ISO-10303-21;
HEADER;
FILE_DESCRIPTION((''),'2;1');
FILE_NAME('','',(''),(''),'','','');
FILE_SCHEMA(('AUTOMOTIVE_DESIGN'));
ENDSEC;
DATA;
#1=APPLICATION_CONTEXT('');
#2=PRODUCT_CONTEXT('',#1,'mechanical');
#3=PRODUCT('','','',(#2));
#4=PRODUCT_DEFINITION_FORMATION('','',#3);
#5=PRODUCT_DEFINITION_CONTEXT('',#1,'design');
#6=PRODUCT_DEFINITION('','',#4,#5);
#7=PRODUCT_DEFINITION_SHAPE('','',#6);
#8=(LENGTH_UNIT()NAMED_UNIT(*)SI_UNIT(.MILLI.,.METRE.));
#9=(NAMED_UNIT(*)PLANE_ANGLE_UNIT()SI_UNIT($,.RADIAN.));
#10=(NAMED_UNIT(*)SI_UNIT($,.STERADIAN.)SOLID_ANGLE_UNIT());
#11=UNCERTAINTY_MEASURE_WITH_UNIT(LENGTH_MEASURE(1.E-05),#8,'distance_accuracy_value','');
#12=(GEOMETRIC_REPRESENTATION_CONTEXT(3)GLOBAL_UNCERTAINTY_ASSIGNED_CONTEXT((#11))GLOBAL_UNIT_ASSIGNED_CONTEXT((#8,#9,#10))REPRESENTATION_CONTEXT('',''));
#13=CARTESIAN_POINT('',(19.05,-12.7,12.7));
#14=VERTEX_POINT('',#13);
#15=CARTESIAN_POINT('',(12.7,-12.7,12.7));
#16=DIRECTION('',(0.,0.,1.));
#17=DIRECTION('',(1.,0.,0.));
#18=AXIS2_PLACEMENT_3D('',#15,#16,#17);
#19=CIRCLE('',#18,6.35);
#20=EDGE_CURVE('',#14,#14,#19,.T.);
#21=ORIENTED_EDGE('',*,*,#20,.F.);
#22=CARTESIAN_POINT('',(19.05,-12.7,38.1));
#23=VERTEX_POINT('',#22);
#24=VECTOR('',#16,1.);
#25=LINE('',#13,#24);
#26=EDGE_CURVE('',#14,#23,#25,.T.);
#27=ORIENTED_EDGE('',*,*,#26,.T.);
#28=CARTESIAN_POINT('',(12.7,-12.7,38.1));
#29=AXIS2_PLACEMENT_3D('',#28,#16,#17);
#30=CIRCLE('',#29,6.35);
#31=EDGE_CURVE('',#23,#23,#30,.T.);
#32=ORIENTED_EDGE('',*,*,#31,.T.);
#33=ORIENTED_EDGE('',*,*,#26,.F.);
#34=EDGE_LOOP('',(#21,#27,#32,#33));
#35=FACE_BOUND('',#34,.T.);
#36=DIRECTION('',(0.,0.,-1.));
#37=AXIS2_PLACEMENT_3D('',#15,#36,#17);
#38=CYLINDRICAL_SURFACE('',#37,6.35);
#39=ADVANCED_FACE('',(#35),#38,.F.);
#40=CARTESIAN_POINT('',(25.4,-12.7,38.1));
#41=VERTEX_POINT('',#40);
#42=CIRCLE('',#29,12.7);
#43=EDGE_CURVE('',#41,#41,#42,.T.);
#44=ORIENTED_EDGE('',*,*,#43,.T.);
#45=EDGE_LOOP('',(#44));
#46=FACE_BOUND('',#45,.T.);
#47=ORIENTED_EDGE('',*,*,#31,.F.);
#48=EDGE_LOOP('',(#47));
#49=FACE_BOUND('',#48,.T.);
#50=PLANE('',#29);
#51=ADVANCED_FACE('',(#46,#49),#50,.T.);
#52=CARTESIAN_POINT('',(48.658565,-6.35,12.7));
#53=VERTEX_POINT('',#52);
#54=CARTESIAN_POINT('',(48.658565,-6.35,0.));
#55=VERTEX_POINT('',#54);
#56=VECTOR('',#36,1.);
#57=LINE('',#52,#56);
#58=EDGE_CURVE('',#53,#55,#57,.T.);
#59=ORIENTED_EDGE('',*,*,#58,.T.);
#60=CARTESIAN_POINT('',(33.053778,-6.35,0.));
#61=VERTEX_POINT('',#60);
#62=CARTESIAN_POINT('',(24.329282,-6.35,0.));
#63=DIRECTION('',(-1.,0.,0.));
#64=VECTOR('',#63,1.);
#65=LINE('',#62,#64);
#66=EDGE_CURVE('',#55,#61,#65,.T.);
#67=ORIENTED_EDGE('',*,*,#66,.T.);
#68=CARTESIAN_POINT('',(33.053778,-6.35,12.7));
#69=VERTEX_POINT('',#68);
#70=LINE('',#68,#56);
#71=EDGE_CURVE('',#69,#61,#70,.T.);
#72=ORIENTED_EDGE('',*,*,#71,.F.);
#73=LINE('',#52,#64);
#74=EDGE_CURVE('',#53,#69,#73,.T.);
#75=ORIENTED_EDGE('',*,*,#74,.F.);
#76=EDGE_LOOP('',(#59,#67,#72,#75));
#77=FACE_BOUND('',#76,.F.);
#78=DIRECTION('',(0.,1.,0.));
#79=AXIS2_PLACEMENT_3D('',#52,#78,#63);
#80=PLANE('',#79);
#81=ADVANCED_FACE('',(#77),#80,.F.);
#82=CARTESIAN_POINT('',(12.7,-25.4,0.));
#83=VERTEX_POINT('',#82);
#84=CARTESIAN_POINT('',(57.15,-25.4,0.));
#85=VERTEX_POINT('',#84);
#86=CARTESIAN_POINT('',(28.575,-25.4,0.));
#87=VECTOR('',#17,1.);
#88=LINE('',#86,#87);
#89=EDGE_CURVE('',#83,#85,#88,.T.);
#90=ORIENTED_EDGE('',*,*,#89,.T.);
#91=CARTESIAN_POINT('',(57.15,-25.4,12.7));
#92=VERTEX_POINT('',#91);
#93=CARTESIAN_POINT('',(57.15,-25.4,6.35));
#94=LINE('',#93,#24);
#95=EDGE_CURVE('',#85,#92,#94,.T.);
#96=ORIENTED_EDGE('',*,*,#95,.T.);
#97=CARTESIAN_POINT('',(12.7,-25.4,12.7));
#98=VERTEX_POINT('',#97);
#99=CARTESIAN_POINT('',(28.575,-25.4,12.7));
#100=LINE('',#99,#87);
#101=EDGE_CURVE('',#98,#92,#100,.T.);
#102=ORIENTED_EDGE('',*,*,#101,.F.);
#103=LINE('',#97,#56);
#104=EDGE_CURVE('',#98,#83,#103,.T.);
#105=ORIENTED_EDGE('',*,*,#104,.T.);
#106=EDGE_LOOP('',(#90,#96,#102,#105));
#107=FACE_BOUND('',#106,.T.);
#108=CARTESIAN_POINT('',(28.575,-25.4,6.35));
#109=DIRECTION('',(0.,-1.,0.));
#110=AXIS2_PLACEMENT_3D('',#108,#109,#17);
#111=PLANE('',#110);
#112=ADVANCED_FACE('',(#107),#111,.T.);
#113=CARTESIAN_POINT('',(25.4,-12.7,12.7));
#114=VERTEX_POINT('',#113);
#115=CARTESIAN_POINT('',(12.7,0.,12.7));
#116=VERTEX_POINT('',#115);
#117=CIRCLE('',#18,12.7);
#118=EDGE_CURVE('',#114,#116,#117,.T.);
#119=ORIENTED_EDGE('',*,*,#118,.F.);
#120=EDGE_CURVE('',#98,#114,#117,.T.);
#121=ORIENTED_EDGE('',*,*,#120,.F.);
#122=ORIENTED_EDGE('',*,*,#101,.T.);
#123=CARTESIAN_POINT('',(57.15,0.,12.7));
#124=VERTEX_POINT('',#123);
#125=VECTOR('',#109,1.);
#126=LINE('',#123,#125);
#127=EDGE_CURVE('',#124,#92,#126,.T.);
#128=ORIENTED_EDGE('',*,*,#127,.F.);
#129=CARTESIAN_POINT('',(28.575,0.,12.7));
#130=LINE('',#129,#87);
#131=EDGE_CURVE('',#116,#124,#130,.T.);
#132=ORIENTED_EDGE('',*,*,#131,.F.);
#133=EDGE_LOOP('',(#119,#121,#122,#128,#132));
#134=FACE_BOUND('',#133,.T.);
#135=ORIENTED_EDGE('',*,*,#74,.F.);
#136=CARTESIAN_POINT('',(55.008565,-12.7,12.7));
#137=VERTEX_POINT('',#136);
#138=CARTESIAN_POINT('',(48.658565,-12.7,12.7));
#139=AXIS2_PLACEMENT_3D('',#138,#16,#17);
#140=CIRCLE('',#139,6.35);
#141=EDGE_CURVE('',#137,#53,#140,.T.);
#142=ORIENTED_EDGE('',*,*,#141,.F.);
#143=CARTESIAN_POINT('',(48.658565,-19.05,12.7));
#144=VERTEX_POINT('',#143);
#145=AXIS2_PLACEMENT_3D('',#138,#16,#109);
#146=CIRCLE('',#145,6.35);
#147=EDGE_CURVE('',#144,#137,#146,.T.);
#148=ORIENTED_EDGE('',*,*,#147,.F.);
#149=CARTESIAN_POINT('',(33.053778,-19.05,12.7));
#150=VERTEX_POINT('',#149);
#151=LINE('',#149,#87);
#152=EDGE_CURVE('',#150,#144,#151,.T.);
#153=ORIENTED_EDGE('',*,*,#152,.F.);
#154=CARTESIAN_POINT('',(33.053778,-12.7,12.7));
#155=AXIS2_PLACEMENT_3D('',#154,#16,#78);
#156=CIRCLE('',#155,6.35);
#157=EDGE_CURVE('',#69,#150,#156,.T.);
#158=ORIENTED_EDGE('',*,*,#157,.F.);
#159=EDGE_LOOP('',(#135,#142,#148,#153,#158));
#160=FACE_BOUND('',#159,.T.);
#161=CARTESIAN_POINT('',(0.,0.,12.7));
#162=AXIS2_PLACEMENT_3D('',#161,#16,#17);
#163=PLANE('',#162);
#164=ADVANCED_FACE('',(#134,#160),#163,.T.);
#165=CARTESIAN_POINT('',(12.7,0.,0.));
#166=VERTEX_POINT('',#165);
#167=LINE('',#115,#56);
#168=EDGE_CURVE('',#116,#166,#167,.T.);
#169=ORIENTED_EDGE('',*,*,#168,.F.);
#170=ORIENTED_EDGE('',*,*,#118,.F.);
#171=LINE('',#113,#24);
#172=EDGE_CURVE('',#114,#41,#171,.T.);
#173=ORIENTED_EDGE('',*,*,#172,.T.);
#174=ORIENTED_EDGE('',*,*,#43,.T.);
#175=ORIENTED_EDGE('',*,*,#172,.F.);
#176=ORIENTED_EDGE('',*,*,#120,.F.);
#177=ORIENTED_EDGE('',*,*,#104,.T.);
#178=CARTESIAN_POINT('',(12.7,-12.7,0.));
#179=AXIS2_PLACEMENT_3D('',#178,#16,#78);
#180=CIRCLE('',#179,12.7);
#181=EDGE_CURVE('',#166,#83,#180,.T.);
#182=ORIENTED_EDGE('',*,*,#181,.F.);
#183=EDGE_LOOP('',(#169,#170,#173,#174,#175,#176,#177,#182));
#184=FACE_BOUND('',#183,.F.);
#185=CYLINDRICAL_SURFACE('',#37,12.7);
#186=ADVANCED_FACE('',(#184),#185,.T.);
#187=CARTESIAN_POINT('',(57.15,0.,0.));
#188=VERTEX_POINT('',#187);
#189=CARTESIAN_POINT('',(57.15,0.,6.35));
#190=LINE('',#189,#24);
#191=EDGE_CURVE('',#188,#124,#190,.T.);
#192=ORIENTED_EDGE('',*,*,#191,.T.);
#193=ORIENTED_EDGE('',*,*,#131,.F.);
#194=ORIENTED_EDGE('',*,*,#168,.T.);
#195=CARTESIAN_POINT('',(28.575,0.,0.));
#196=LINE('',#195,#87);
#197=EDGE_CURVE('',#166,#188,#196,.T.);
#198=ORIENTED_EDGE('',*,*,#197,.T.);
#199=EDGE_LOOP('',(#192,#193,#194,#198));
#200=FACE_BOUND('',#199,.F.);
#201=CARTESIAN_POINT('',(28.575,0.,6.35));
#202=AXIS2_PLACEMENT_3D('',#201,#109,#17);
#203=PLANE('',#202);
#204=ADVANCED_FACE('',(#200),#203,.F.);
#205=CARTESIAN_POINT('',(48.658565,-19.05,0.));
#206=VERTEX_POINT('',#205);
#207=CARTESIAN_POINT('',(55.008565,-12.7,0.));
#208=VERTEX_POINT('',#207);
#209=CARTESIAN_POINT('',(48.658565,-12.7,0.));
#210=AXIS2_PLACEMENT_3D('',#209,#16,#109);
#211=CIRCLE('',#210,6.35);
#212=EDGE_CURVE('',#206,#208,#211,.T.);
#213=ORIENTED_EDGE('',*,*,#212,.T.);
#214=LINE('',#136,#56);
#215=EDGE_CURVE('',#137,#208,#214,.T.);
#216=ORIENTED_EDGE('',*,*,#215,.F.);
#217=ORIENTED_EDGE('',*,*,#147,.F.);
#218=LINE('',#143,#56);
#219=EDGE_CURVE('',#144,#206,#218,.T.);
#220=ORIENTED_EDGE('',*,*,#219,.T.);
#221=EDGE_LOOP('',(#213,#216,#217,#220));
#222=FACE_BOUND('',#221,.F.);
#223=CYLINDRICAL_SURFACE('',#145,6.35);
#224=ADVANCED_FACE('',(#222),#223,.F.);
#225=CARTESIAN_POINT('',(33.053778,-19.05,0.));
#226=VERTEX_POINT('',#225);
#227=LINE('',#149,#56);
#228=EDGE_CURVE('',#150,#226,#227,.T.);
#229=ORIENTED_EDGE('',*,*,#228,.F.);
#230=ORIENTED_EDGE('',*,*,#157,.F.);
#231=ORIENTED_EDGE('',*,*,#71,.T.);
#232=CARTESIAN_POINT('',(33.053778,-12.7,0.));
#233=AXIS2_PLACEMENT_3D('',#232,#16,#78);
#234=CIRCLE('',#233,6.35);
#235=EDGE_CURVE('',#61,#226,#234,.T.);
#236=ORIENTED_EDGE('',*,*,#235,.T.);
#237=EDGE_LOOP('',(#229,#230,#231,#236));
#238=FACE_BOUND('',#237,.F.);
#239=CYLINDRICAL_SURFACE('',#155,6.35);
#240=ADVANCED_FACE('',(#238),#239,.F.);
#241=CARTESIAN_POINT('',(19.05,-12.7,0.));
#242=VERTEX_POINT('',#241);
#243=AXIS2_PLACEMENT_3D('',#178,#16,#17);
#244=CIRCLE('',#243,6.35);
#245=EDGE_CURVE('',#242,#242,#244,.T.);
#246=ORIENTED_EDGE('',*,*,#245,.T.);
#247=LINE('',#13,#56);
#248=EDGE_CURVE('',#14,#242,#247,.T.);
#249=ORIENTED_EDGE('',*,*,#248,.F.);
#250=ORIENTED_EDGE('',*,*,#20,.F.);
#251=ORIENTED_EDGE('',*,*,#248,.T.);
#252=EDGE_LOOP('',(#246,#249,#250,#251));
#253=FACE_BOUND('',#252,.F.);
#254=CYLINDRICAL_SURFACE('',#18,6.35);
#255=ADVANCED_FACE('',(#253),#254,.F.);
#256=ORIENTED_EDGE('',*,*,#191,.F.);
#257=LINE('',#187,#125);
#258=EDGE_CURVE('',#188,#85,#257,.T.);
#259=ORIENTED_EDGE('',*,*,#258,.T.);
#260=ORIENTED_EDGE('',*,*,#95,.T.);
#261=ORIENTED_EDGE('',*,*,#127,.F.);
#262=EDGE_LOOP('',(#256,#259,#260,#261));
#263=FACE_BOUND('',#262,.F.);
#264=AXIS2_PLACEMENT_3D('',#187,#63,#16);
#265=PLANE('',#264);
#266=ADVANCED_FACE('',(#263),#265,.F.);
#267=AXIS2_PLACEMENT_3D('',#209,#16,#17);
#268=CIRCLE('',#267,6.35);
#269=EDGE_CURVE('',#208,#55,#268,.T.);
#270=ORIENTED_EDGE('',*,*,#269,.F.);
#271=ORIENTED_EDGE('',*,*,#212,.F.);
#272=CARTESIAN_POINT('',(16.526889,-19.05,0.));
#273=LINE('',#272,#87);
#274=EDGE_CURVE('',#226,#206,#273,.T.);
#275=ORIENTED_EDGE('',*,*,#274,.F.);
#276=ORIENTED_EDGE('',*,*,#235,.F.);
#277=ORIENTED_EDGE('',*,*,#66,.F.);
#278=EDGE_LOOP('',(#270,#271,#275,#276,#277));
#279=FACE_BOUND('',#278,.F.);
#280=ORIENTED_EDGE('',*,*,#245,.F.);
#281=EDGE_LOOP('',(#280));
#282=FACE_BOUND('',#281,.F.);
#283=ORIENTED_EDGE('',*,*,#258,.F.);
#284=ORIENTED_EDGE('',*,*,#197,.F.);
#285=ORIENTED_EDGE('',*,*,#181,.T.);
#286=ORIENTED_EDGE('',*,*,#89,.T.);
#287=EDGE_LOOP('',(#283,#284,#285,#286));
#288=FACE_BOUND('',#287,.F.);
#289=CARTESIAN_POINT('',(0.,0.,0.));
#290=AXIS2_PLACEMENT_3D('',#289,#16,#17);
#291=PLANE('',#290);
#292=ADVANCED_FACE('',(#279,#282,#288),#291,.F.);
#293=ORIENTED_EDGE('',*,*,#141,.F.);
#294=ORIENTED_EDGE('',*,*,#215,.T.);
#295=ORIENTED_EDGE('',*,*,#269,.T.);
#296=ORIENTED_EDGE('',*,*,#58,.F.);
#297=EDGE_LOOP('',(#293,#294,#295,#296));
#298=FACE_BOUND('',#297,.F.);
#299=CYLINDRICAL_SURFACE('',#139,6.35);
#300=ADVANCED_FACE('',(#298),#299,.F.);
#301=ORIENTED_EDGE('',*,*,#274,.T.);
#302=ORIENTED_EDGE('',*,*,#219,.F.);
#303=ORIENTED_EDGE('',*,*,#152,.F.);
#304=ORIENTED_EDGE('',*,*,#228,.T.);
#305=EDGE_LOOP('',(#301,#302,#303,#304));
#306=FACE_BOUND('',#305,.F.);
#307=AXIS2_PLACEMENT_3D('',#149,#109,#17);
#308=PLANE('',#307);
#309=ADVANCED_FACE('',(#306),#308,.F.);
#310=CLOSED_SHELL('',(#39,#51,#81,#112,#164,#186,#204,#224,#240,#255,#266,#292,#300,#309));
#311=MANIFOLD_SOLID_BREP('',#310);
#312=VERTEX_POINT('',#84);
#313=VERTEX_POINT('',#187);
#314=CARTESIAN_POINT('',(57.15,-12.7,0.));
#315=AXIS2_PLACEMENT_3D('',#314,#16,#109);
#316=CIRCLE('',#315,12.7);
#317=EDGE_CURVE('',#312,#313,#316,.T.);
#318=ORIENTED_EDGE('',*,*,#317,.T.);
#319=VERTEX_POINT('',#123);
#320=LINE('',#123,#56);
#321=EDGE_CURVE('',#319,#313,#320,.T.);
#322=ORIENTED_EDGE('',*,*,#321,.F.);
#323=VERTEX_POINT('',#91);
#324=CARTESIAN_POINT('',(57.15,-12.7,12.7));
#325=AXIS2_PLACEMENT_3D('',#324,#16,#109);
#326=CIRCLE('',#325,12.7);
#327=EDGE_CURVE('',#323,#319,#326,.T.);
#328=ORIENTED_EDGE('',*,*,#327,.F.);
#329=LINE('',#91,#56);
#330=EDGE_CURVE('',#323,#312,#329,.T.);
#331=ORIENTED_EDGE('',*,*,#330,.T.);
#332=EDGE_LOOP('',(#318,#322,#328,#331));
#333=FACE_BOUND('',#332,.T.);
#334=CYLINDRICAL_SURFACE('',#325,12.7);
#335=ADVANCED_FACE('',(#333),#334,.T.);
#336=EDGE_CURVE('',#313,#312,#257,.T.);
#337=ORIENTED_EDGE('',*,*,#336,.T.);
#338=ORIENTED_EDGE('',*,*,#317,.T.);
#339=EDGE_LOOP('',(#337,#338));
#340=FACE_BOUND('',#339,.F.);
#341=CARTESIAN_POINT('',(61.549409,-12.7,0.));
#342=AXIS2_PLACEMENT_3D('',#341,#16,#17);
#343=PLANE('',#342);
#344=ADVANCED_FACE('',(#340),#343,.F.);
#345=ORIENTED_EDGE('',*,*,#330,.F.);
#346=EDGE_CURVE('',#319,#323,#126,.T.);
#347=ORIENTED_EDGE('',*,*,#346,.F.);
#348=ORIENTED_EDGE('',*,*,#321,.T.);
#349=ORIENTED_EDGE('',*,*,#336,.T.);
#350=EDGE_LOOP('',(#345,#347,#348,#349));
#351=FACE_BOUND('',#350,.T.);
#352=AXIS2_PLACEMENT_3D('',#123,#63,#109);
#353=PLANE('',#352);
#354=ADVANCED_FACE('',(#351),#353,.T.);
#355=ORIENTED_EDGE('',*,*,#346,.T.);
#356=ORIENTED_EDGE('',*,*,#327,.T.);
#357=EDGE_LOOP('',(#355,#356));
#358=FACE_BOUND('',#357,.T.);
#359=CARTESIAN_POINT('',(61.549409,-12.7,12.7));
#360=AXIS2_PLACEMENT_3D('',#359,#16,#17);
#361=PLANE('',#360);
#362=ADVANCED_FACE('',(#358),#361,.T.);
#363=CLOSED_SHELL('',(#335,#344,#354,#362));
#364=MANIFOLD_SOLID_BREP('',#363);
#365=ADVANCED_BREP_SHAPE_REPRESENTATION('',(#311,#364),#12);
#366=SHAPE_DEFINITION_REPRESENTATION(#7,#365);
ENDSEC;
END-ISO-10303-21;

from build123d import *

# Parameters (mm, degrees)
F0_W     = 57.15
F0_H     = 12.7
F1_DEPTH = 25.4
F2_R     = 12.7
F2_R_2   = 6.35
F3_DEPTH = 25.4
F4_DEPTH = 25.4
F5_DEPTH = 25.4
F7_DEPTH = 12.7
F9_DEPTH = 25.4


with BuildPart() as f1:
    # F0 (on Front) → F1 (new body)
    with BuildSketch(Plane.XZ):
        with Locations((28.575, 6.35)):
            Rectangle(F0_W, F0_H)
    extrude(amount=F1_DEPTH)

    # F2 (on face) → F3 (join)
    with BuildSketch(Plane.XY.offset(12.7)):
        with Locations((12.7, -12.7)):
            Circle(F2_R)
        with Locations((12.7, -12.7)):
            Circle(F2_R_2, mode=Mode.SUBTRACT)
    extrude(amount=F3_DEPTH)

    # F4 (cut): faces of the model
    f4_faces = [f1.faces().sort_by_distance(p)[0] for p in [
        (2.8367728246, -22.5632271754, 12.7),
        (2.8367728246, -2.8367728246, 12.7),
    ]]
    extrude(f4_faces, amount=-F4_DEPTH, mode=Mode.SUBTRACT)

    # F5 (cut): a face of the model
    f5_faces = [f1.faces().sort_by_distance(p)[0] for p in [
        (12.7, -12.7, 12.7),
    ]]
    extrude(f5_faces, amount=-F5_DEPTH, mode=Mode.SUBTRACT)

    # F8 (on face) → F9 (cut)
    with BuildSketch(Plane.XY.offset(12.7)):
        with BuildLine():
            ThreePointArc((33.0537781119, -19.05), (37.5439061725, -17.1901280605), (39.4037781119, -12.7))
            ThreePointArc((39.4037781119, -12.7), (37.5439061725, -8.2098719395), (33.0537781119, -6.35))
            ThreePointArc((33.0537781119, -6.35), (26.7037781119, -12.7), (33.0537781119, -19.05))
        make_face()
        with BuildLine():
            ThreePointArc((33.0537781119, -6.35), (37.5439061725, -8.2098719395), (39.4037781119, -12.7))
            ThreePointArc((39.4037781119, -12.7), (37.5439061725, -17.1901280605), (33.0537781119, -19.05))
            Line((33.0537781119, -19.05), (48.6585646868, -19.05))
            ThreePointArc((48.6585646868, -19.05), (42.3085646868, -12.7), (48.6585646868, -6.35))
            Line((48.6585646868, -6.35), (33.0537781119, -6.35))
        make_face()
        with BuildLine():
            ThreePointArc((55.0085646868, -12.7), (53.1486927473, -8.2098719395), (48.6585646868, -6.35))
            ThreePointArc((48.6585646868, -6.35), (42.3085646868, -12.7), (48.6585646868, -19.05))
            ThreePointArc((48.6585646868, -19.05), (53.1486927473, -17.1901280605), (55.0085646868, -12.7))
        make_face()
    extrude(amount=-F9_DEPTH, mode=Mode.SUBTRACT)


with BuildPart() as f7:
    # F6 (on face) → F7 (new body)
    with BuildSketch(Plane.XY.offset(12.7)):
        with BuildLine():
            Line((57.15, 0), (57.15, -25.4))
            ThreePointArc((57.15, -25.4), (69.85, -12.7), (57.15, 0))
        make_face()
    extrude(amount=-F7_DEPTH)


solid = Compound([f1.part, f7.part])
